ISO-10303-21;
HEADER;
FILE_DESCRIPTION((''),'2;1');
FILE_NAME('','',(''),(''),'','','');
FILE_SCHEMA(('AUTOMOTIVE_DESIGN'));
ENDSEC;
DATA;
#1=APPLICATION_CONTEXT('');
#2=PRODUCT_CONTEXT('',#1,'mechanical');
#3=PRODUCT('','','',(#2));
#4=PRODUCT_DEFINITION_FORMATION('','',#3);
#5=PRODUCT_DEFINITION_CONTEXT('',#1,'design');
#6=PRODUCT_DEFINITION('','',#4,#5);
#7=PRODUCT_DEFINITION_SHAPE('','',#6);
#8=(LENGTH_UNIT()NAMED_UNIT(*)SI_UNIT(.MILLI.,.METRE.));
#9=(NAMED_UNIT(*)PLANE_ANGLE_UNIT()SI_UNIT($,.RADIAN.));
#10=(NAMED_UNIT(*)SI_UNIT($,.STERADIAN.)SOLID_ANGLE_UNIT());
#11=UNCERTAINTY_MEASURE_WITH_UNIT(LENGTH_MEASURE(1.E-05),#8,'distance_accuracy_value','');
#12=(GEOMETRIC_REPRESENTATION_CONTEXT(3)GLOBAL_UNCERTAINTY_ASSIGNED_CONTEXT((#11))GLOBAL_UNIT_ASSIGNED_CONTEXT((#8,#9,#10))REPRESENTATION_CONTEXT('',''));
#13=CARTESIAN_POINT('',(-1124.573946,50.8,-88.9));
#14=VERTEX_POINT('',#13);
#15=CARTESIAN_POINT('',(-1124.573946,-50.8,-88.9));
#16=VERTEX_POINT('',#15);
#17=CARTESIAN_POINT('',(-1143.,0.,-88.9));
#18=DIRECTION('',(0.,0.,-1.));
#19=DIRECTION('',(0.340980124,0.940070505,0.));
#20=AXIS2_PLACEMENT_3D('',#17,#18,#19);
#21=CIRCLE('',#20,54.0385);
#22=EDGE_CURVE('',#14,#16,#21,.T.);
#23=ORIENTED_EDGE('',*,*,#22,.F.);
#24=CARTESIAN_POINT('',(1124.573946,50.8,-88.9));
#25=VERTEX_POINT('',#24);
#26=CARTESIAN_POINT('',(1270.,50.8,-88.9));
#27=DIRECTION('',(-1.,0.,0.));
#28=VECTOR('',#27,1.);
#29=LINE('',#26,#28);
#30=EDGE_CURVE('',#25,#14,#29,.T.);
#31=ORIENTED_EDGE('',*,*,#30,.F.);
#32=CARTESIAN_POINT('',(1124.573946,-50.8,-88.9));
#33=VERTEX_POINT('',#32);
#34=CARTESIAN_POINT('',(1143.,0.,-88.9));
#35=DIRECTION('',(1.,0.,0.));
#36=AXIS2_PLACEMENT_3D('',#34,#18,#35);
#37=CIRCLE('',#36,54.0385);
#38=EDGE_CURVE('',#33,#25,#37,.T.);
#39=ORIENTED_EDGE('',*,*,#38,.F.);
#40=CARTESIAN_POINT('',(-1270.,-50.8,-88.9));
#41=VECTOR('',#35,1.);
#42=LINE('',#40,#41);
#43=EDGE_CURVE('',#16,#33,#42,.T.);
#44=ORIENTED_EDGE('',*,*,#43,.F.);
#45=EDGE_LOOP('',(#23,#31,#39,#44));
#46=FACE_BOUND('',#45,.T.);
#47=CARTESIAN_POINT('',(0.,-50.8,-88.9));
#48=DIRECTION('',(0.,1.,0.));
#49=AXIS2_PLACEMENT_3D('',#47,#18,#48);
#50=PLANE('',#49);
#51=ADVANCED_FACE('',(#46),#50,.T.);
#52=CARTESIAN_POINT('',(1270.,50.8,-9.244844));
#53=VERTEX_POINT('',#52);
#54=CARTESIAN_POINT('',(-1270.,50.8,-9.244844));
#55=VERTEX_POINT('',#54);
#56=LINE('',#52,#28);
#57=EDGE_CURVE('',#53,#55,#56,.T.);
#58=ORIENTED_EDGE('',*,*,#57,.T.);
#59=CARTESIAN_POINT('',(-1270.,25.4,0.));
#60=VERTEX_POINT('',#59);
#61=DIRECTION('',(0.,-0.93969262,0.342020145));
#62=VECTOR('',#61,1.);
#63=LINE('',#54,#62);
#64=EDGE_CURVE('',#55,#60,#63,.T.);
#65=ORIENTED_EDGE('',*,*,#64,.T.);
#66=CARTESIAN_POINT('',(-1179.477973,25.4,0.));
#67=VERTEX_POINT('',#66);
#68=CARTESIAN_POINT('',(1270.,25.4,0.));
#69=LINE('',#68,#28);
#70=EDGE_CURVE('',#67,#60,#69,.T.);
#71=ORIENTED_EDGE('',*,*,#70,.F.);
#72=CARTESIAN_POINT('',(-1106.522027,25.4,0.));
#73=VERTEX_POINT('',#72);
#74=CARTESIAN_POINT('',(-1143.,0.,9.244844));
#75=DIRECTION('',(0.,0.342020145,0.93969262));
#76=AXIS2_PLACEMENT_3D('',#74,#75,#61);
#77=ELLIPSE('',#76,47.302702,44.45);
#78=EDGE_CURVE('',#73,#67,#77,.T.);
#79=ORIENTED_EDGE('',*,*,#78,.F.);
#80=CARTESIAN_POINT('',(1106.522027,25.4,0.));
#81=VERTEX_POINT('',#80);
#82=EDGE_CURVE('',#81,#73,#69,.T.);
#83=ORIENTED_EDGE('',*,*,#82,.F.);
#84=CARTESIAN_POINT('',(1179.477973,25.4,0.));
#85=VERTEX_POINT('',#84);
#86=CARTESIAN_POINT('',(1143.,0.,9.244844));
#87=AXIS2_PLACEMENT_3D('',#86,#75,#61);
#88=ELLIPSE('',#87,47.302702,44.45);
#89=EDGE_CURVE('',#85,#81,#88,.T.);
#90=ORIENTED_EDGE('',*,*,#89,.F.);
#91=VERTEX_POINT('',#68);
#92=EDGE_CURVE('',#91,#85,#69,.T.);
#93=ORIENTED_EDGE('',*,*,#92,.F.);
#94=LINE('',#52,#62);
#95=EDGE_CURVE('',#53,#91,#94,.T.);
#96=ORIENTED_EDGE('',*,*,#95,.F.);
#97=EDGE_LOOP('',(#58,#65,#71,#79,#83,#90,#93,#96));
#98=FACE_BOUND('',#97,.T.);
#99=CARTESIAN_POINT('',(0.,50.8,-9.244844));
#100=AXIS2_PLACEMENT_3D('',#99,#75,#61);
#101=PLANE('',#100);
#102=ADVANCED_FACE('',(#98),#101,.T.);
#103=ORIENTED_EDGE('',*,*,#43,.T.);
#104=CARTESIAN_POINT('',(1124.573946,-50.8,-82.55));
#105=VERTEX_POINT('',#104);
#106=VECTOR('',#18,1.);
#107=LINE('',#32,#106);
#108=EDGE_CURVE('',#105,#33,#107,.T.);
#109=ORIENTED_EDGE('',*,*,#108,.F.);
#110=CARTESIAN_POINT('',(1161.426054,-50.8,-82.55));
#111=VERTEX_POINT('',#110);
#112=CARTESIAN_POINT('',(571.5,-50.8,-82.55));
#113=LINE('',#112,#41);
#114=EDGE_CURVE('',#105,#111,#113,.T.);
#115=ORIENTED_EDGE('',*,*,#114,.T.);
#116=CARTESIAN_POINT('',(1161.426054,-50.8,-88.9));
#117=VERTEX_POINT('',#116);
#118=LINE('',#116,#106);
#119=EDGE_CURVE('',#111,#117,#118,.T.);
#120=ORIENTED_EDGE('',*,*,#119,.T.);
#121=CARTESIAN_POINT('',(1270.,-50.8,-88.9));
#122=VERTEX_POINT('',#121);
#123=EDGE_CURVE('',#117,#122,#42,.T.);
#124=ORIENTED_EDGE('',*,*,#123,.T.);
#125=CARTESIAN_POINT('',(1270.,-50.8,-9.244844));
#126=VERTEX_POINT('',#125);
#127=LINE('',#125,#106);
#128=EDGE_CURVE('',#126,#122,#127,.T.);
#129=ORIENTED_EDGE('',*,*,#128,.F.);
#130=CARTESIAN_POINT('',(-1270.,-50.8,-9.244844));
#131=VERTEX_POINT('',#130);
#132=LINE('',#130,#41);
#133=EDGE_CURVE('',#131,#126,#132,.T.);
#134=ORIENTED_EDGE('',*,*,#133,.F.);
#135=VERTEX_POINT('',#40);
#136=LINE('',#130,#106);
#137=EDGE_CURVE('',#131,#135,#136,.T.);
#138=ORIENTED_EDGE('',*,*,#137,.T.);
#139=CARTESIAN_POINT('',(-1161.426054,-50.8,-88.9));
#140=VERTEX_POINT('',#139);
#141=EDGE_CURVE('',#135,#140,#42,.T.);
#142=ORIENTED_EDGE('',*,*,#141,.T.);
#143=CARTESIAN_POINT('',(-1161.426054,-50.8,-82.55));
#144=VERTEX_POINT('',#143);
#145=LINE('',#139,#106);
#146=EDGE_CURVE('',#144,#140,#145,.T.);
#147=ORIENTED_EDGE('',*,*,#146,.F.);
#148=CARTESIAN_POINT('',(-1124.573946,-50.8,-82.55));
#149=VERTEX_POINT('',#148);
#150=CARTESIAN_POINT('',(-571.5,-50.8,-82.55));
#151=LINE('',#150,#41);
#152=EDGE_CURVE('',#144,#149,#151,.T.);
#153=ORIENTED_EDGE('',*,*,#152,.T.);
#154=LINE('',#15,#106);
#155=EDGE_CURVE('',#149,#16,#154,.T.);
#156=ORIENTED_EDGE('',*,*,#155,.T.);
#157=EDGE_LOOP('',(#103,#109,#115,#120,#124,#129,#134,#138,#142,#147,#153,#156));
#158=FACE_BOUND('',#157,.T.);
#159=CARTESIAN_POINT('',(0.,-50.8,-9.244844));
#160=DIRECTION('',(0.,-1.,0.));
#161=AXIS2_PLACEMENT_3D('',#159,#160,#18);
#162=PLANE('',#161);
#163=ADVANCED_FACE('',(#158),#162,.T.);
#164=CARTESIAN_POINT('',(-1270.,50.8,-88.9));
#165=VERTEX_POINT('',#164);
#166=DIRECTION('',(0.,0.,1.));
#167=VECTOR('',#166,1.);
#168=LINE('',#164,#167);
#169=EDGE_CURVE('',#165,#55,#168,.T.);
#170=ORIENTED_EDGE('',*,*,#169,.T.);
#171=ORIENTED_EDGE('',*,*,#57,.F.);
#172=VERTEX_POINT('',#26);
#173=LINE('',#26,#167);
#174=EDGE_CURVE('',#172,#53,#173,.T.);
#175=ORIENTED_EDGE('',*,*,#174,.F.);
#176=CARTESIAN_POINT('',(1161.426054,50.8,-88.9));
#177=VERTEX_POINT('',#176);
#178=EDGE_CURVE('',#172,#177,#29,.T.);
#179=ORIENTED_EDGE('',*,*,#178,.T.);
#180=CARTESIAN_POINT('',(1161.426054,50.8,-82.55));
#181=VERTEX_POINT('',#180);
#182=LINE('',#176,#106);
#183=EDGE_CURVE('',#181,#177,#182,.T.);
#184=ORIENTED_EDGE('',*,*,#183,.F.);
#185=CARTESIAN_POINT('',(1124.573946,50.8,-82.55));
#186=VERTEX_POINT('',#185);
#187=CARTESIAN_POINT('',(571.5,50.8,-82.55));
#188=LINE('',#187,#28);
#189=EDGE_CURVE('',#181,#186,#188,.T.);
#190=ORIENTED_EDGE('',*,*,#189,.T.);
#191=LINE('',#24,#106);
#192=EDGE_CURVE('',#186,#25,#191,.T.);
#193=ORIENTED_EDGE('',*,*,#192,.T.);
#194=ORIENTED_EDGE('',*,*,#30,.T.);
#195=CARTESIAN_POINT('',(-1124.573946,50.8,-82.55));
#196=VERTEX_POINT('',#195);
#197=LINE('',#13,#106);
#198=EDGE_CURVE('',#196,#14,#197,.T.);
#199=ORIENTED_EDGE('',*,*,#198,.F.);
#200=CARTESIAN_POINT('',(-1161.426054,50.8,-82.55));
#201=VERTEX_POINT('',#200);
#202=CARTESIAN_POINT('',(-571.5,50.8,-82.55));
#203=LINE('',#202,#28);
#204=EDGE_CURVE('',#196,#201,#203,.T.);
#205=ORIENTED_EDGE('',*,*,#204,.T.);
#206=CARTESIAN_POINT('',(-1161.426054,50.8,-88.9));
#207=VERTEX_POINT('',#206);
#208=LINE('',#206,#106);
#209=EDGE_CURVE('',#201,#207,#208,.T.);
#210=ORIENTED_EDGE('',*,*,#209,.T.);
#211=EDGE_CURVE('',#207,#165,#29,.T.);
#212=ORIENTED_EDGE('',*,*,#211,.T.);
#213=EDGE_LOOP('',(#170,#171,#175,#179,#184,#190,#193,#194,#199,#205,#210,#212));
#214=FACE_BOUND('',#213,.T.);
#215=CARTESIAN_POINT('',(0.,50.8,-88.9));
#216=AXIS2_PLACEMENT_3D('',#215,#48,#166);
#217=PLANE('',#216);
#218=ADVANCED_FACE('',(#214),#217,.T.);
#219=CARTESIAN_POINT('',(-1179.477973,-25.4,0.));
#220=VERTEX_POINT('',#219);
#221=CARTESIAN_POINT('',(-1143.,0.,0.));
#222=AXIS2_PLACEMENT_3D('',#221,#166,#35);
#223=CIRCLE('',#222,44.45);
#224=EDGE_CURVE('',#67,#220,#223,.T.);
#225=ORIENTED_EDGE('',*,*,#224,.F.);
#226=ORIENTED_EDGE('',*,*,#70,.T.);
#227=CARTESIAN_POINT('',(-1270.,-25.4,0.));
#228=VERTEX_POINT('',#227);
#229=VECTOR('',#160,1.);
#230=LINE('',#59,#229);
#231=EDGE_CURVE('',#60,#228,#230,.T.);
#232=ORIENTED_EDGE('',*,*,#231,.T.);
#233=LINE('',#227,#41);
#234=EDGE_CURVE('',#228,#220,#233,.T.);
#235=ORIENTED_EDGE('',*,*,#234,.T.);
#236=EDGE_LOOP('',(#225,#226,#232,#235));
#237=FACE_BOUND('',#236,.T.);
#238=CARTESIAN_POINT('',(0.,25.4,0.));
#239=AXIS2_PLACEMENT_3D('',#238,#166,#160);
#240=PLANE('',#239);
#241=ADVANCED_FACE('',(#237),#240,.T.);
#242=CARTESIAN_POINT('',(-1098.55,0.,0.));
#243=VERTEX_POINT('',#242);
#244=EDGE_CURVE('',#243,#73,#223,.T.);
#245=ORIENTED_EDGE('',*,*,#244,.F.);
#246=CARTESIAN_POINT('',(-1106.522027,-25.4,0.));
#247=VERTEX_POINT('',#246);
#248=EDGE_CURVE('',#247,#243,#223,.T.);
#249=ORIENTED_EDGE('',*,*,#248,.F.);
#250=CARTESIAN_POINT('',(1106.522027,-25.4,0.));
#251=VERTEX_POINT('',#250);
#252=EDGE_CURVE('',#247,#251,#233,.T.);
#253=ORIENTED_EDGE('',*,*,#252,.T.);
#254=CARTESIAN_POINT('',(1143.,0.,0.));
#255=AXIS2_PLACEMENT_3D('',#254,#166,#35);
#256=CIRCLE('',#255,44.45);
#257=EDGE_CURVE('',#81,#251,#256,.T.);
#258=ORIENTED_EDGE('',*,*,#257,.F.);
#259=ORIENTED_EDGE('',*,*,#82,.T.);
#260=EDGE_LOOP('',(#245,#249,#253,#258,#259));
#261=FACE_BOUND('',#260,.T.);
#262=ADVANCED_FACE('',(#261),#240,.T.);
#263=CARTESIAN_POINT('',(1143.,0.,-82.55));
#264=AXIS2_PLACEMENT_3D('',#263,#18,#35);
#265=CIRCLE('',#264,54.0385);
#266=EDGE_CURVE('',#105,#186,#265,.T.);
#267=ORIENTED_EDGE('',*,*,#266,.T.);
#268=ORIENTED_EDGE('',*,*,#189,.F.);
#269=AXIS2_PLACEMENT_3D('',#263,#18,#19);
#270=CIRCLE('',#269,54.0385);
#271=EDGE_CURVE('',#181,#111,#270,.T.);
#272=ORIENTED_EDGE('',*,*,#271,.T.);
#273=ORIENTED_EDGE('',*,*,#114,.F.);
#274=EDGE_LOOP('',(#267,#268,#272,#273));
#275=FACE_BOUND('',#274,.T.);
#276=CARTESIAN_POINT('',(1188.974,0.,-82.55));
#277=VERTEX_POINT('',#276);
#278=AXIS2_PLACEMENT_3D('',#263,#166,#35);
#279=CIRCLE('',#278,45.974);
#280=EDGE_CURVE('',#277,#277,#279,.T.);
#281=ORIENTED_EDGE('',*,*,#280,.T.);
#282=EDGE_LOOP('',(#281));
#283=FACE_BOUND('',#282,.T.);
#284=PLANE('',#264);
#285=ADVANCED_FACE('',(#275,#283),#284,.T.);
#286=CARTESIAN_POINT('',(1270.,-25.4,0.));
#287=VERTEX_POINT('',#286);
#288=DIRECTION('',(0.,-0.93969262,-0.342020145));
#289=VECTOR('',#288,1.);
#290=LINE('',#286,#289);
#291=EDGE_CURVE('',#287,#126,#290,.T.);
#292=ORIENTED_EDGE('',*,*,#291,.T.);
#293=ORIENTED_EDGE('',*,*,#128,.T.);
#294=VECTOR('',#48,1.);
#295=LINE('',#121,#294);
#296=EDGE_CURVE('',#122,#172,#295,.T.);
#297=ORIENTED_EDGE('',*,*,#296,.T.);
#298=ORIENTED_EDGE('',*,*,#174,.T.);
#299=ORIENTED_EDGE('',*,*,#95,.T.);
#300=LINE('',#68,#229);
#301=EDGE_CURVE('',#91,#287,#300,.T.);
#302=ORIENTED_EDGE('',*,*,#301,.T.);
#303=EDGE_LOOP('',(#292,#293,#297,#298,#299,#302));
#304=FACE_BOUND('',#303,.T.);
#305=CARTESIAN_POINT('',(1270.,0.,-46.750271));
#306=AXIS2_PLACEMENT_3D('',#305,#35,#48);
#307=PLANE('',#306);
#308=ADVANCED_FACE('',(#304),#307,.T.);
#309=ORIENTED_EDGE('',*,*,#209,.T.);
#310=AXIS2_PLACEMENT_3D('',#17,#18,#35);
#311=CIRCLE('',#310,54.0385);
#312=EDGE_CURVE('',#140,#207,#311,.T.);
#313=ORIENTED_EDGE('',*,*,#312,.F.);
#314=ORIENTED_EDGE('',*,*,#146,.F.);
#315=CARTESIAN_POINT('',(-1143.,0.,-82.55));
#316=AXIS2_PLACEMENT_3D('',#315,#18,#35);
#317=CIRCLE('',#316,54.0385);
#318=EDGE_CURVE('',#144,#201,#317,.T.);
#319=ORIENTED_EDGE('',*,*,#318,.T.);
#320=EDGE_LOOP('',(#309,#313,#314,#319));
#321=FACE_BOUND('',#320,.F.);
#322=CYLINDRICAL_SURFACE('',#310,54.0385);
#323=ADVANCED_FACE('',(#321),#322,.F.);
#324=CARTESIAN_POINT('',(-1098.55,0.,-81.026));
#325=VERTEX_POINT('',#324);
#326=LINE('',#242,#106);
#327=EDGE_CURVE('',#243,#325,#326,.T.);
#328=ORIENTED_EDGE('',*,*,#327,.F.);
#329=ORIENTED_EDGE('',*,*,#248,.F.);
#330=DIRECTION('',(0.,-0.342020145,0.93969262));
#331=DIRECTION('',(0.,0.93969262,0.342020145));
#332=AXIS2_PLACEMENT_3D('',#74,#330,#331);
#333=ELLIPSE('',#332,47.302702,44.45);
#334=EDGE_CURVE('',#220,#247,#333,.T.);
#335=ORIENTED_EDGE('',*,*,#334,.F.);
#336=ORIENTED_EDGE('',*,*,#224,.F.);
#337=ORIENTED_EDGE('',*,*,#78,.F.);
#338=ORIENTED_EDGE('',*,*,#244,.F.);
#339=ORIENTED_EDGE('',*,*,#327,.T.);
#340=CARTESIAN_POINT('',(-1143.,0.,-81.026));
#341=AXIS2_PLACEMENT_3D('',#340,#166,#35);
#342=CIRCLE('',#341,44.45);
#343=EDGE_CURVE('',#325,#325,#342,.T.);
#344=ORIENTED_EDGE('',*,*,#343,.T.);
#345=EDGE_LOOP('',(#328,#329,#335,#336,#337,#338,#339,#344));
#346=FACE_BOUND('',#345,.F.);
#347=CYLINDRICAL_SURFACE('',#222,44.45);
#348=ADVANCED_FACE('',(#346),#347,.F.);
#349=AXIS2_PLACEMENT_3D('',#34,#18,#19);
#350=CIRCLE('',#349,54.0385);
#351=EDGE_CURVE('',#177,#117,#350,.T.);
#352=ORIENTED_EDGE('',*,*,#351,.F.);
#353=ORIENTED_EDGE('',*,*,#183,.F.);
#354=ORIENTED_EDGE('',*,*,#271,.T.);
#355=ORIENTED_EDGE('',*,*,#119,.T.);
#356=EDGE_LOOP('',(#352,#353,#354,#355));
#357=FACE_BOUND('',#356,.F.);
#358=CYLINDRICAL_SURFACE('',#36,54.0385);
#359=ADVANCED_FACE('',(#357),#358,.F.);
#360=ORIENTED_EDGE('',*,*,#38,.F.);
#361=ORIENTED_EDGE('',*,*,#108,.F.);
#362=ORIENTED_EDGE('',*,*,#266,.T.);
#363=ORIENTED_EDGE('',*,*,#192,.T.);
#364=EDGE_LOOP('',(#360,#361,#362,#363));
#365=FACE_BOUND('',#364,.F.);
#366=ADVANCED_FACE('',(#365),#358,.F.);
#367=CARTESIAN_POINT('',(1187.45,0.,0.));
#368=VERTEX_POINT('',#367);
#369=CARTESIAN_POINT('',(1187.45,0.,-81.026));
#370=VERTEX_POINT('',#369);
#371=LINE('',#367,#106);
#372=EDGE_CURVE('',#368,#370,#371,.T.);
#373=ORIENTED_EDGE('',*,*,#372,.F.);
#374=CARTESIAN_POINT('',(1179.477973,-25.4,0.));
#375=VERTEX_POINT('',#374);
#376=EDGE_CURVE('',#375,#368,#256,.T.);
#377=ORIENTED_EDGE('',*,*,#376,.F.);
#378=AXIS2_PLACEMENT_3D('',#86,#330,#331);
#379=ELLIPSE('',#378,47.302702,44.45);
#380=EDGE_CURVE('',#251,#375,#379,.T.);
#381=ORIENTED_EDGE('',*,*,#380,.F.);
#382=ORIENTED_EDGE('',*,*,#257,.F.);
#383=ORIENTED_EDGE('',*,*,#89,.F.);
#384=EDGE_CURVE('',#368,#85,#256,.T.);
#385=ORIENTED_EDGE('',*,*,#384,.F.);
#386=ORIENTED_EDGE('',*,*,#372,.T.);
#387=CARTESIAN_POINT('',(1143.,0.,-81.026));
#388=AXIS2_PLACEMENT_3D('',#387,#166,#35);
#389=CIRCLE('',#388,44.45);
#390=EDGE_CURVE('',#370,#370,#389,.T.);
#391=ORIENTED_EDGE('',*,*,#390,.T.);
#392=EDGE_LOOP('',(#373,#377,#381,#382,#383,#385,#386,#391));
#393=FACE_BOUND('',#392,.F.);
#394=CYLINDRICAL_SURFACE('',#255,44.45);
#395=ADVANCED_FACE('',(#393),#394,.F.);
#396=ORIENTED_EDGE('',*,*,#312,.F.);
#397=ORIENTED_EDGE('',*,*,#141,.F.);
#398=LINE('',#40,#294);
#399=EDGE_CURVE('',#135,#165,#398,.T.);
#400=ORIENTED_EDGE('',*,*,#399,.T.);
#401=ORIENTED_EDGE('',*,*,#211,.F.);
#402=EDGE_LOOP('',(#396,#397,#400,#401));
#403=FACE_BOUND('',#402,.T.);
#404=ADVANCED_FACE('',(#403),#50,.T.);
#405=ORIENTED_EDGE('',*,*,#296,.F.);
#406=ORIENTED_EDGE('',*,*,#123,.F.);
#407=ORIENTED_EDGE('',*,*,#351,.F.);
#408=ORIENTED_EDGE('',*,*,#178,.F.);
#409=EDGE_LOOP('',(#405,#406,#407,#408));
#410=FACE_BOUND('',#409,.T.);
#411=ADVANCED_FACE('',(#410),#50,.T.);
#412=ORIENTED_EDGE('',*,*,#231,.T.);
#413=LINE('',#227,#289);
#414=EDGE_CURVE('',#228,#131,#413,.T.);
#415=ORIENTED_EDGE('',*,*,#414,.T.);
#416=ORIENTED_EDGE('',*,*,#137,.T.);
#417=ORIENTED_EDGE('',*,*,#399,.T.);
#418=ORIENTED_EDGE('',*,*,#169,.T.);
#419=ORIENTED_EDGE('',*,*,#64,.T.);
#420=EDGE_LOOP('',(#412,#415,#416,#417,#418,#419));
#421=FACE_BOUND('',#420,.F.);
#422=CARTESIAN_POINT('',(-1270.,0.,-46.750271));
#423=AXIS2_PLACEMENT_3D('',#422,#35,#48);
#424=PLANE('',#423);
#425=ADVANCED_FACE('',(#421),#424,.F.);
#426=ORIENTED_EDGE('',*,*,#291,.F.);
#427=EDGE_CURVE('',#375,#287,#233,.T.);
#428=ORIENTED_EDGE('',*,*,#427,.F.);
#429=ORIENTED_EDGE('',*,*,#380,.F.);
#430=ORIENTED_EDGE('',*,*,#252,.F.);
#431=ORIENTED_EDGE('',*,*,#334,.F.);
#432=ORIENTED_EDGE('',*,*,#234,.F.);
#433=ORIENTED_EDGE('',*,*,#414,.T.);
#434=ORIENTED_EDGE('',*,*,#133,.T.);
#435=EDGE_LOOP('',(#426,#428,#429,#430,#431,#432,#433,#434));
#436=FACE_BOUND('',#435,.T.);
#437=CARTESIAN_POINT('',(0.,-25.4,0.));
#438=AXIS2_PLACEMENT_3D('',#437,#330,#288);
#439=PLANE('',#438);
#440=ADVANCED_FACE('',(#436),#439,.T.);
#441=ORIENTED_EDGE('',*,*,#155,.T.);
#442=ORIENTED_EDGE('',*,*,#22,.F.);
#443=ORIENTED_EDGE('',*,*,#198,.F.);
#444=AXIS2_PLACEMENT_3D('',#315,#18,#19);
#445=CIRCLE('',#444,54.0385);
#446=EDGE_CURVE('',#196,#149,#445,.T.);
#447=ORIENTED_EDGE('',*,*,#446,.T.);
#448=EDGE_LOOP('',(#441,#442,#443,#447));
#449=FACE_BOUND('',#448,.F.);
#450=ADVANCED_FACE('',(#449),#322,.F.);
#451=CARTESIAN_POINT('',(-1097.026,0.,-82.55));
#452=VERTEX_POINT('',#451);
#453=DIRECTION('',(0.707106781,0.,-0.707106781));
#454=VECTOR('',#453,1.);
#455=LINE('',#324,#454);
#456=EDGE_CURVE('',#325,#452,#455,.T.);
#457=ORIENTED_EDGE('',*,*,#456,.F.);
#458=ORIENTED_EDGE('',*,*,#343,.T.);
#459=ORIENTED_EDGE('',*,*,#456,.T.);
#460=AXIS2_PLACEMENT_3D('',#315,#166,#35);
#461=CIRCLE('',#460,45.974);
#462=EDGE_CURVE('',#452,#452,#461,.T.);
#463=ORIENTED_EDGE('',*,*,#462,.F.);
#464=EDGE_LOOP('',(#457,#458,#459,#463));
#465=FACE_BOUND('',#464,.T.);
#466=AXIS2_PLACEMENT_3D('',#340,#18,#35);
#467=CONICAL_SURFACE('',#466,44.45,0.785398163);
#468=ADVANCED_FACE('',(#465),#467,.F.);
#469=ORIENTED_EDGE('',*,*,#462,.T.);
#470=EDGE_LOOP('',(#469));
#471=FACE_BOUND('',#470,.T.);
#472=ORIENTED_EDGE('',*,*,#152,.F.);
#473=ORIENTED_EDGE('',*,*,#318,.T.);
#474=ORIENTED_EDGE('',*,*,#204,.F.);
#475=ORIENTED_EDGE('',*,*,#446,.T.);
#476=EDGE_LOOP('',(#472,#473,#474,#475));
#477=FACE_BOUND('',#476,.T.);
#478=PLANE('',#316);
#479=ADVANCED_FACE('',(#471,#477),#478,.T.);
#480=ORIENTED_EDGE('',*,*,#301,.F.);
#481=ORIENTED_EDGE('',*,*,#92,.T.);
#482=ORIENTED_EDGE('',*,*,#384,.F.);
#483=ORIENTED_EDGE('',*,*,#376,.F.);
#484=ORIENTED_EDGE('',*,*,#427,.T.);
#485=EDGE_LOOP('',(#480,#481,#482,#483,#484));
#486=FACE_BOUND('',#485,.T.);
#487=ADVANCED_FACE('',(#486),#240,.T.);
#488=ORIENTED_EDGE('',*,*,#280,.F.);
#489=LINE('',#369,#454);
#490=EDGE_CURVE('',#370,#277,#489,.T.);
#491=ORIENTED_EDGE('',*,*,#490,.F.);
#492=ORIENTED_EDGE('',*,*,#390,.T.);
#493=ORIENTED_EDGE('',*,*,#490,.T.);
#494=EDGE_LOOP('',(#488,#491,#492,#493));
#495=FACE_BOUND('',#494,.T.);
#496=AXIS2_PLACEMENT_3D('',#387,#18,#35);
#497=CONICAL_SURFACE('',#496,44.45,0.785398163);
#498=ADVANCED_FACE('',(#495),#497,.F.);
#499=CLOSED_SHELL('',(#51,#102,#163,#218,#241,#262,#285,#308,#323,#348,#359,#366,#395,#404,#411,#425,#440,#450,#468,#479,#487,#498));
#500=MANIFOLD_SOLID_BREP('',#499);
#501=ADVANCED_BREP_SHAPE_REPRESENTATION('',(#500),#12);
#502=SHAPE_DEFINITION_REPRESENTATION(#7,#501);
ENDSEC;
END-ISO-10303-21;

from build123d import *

# Parameters (mm, degrees)
F1_DEPTH = 1270
F2_R     = 44.45
F3_DEPTH = 88.901
F4_R     = 54.0385
F5_DEPTH = 6.35
F6_SIZE  = 1.524
F7_SIZE  = 1.524


with BuildPart() as f1:
    # F0 (on Right) → F1 (new body, symmetric)
    with BuildSketch(Plane.YZ):
        Polygon((25.4, 0), (-25.4, 0), (-50.8, -9.244844), (-50.8, -88.9), (50.8, -88.9), (50.8, -9.244844), align=None)
    extrude(amount=F1_DEPTH, both=True)

    # F2 (on Top) → F3 (cut, through all)
    with BuildSketch(Plane.XY):
        with Locations((1143, 0)):
            Circle(F2_R)
        with Locations((-1143, 0)):
            Circle(F2_R)
    extrude(amount=-F3_DEPTH, mode=Mode.SUBTRACT)

    # F4 (on face) → F5 (cut)
    with BuildSketch(Plane(origin=(0, 0, -88.9), x_dir=(1, 0, 0), z_dir=(0, 0, -1))):
        with Locations((1143, 0)):
            Circle(F4_R)
        with Locations((-1143, 0)):
            Circle(F4_R)
    extrude(amount=-F5_DEPTH, mode=Mode.SUBTRACT)

    # F6
    f6_edges = [f1.edges().sort_by_distance(p)[0] for p in [
        (1098.55, 0, -82.55),
    ]]
    chamfer(f6_edges, length=F6_SIZE)

    # F7
    f7_edges = [f1.edges().sort_by_distance(p)[0] for p in [
        (-1187.45, 0, -82.55),
    ]]
    chamfer(f7_edges, length=F7_SIZE)


solid = f1.part
